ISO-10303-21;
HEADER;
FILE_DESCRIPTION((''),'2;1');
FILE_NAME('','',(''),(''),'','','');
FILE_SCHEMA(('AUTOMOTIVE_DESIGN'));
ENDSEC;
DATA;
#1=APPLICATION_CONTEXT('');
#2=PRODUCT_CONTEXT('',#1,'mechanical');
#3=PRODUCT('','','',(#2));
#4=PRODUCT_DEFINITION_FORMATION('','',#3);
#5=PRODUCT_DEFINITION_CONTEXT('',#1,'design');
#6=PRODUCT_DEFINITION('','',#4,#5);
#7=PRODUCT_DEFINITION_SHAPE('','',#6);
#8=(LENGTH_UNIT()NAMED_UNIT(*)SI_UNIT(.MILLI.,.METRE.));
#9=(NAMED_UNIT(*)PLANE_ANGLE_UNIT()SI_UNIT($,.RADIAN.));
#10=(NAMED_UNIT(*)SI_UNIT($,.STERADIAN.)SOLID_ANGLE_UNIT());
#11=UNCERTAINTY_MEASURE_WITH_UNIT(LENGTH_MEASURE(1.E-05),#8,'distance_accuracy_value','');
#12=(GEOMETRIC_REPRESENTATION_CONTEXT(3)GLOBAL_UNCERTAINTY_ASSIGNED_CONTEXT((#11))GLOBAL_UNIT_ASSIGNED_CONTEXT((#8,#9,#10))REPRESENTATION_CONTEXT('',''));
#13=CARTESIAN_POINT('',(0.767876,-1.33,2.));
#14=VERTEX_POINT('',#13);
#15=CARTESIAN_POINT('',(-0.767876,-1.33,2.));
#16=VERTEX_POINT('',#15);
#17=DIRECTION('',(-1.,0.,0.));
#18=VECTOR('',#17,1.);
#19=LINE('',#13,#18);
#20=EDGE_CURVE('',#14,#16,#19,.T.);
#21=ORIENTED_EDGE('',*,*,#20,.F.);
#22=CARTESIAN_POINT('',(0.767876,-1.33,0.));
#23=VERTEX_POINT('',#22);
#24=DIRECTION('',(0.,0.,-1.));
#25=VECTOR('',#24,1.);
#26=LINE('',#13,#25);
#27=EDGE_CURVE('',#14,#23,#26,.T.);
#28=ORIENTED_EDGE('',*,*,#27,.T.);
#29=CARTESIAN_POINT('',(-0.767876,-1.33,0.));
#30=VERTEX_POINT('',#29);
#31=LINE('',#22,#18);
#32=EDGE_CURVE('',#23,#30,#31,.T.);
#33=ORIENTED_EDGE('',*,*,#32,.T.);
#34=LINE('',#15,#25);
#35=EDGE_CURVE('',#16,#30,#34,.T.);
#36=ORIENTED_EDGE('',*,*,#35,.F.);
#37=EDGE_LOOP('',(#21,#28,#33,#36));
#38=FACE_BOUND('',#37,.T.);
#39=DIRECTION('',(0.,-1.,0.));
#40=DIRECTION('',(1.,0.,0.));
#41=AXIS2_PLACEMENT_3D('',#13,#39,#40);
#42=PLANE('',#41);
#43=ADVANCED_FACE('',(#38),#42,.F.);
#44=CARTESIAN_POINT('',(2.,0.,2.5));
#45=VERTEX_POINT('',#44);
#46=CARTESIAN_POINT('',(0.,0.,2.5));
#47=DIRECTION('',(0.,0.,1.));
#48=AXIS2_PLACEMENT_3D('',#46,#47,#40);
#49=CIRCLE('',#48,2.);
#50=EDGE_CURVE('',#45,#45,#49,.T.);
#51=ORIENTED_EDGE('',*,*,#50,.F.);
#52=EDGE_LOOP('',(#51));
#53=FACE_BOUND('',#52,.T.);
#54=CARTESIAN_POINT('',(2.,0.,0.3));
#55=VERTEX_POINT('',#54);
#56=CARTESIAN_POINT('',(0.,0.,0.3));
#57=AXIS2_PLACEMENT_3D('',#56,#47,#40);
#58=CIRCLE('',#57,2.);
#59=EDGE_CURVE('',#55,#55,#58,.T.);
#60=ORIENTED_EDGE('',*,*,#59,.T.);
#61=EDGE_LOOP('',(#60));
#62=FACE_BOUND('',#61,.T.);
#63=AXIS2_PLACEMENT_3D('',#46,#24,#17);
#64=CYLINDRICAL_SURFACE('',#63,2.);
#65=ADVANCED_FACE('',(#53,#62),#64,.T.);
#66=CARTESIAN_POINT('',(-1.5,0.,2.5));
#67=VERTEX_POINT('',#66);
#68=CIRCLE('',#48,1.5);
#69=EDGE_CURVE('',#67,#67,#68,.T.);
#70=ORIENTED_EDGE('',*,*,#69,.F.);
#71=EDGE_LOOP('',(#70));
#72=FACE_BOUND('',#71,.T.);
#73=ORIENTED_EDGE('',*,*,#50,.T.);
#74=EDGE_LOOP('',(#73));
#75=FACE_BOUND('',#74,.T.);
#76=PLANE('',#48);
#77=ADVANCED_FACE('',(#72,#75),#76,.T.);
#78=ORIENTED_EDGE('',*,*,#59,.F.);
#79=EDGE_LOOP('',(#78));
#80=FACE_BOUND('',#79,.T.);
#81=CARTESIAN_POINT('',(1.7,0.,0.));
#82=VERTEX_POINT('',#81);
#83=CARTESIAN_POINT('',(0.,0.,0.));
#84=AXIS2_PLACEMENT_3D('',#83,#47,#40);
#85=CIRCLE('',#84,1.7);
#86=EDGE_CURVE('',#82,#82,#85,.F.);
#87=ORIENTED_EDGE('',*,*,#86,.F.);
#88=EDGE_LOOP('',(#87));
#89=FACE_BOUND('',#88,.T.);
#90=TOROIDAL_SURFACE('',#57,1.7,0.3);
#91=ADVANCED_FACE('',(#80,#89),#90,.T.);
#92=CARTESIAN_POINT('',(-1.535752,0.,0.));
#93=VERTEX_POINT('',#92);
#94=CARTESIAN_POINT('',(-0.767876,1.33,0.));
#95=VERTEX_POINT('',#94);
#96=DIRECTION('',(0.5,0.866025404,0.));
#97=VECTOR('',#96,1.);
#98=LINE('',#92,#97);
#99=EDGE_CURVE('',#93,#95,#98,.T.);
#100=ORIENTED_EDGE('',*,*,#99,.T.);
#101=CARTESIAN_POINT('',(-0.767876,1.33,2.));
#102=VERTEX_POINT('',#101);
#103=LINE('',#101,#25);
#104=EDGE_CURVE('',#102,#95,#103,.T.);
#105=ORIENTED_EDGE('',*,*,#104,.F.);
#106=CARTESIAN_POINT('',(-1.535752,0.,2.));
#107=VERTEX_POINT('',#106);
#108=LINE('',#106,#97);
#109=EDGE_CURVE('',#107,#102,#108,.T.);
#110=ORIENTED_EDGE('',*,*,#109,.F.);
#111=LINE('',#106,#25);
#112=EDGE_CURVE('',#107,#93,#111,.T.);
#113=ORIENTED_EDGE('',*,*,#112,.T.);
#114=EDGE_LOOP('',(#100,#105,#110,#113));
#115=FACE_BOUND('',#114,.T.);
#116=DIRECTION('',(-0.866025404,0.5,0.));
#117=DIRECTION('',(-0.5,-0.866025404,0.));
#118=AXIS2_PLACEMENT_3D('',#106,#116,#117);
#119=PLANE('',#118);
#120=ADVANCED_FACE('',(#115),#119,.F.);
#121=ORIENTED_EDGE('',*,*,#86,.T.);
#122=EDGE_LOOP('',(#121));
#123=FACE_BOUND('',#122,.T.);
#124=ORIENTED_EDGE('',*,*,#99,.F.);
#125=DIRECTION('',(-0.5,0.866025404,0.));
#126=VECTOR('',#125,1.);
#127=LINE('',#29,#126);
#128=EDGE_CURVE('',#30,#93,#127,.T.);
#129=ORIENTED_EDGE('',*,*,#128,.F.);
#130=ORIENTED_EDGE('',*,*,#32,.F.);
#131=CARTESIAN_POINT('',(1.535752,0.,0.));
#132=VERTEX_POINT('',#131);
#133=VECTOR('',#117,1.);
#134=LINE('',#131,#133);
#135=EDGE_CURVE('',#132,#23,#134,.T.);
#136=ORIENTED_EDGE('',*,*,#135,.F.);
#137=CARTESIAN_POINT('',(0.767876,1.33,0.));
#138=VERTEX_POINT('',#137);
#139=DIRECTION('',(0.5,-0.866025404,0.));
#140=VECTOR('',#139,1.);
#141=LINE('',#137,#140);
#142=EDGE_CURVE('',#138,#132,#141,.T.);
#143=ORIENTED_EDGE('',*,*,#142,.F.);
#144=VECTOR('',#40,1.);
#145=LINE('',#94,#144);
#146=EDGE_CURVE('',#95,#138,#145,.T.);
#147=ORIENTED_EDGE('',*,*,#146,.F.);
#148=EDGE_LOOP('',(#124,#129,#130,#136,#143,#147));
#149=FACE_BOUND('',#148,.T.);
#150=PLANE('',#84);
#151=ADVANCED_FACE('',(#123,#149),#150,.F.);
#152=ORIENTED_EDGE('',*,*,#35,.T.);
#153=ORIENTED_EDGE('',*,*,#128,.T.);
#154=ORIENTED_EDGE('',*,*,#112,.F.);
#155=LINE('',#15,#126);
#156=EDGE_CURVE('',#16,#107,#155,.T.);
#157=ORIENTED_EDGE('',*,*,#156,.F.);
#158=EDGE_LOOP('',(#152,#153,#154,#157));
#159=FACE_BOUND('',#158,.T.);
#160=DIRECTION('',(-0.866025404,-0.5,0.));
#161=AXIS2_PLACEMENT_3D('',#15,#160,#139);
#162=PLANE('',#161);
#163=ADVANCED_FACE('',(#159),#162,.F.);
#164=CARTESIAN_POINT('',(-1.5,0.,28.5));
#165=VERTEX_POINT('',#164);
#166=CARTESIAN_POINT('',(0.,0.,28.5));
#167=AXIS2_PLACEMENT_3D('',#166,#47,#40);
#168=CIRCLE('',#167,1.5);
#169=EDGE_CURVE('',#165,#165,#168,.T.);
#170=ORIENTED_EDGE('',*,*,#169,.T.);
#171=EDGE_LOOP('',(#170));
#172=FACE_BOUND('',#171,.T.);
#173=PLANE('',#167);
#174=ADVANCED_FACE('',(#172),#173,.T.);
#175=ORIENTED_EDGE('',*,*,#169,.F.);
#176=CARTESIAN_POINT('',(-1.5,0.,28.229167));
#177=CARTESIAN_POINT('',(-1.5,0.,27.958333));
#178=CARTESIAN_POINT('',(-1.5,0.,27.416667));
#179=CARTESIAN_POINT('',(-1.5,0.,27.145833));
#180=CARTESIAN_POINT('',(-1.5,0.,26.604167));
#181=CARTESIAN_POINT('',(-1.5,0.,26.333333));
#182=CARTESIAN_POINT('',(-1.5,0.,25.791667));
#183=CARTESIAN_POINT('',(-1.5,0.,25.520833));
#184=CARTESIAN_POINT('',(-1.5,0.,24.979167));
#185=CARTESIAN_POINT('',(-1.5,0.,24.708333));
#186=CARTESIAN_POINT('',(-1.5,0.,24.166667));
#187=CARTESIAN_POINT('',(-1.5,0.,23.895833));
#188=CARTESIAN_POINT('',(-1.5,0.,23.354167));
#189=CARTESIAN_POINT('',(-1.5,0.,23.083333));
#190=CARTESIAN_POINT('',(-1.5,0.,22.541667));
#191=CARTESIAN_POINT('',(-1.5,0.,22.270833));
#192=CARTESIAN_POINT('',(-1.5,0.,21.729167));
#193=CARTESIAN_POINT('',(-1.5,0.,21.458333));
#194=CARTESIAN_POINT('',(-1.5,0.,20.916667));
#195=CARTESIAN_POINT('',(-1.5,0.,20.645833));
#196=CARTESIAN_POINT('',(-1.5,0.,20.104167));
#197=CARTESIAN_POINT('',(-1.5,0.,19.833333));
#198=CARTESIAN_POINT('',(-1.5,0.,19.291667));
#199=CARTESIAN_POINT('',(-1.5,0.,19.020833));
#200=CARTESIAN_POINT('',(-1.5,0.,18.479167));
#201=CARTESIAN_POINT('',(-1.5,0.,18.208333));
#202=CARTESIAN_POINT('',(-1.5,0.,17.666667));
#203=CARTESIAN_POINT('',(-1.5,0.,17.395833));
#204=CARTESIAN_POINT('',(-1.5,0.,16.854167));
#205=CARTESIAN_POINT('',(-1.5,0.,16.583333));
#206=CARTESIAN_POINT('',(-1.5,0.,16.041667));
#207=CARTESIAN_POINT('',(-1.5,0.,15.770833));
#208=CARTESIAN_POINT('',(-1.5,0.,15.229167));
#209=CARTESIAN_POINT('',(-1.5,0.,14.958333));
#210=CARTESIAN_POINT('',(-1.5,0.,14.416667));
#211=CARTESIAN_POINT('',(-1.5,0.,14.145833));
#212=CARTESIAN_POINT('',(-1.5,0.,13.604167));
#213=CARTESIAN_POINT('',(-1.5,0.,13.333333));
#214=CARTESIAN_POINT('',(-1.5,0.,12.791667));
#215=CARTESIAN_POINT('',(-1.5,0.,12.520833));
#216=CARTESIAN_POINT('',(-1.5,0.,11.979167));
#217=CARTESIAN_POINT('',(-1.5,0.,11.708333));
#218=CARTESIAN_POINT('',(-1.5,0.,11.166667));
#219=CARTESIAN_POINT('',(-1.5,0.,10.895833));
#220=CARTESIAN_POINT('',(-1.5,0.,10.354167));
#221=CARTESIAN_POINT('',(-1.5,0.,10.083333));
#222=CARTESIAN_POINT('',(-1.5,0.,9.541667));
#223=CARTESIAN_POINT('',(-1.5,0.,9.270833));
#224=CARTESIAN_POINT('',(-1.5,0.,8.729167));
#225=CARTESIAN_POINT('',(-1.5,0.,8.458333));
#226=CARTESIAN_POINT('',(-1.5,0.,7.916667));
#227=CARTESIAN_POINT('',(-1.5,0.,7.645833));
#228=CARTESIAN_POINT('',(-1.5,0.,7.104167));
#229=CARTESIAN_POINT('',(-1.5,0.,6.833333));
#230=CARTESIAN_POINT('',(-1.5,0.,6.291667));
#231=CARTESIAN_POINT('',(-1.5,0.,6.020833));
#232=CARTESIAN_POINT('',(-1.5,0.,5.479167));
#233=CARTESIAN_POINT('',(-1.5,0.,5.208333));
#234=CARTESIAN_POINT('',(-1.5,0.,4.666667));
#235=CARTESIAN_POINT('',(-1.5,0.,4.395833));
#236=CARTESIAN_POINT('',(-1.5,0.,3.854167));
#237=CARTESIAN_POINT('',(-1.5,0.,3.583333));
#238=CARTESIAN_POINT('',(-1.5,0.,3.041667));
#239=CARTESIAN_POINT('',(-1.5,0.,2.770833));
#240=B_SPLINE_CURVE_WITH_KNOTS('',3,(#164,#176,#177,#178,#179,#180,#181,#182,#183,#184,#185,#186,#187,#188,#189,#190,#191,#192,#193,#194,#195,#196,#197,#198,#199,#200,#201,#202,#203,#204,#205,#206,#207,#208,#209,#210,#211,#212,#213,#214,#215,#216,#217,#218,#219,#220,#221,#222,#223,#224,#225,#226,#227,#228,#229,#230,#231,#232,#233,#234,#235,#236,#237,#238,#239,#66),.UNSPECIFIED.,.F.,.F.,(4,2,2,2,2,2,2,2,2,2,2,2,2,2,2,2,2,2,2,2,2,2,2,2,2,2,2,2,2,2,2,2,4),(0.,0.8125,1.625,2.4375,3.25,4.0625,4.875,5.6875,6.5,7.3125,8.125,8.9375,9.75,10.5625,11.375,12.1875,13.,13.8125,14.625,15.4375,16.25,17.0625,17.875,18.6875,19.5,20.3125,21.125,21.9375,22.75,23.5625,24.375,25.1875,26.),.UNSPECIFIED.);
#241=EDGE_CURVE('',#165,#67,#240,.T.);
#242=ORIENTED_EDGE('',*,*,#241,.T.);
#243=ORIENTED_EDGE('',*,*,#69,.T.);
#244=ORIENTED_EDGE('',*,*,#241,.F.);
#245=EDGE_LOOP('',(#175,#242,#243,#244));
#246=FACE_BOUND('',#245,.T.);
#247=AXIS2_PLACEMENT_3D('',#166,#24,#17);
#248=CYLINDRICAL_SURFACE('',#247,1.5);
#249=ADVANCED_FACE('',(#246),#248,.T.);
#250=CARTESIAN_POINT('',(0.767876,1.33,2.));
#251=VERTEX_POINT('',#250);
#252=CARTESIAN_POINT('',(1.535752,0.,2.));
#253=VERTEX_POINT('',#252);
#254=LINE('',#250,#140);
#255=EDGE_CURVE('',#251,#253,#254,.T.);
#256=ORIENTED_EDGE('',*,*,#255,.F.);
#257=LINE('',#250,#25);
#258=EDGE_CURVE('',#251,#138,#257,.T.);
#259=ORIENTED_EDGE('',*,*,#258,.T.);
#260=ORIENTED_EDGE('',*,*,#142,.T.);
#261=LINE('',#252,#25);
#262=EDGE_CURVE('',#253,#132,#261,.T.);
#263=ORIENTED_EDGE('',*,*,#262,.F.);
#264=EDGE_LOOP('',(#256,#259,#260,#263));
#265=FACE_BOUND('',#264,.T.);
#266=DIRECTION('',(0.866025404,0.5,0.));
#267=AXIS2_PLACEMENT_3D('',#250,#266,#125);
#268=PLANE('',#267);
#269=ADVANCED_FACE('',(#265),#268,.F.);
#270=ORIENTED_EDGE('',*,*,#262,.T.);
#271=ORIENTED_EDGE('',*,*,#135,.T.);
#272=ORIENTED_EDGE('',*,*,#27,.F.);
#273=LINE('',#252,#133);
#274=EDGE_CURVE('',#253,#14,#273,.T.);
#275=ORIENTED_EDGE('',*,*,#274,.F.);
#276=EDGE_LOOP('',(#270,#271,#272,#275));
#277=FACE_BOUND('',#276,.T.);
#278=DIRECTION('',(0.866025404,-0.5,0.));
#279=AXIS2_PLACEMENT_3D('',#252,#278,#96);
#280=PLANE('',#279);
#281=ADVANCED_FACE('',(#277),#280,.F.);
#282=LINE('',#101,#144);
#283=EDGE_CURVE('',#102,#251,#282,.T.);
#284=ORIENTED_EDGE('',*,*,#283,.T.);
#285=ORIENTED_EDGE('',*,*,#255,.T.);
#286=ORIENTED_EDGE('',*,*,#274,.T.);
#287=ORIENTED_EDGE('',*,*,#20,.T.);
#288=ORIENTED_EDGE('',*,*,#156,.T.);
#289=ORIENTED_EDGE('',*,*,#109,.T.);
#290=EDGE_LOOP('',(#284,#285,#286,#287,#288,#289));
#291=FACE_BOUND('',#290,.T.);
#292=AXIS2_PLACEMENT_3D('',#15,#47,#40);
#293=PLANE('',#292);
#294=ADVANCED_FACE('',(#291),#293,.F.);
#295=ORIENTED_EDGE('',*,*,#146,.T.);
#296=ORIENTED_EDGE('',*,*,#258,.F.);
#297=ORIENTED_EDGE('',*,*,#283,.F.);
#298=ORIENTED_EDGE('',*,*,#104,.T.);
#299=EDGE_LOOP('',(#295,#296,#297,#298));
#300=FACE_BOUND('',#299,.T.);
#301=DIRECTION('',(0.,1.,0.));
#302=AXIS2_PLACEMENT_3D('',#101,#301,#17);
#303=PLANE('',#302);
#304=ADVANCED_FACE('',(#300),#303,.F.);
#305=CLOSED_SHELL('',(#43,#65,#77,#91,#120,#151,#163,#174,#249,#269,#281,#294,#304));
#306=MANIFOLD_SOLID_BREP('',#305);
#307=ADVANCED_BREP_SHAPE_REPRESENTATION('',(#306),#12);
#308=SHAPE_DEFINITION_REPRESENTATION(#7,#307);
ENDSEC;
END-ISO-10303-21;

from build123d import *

# Parameters (mm, degrees)
ESQUISSE1_R             = 2
BASE_EXTRUSION_DEPTH    = 2.5
ESQUISSE2_R             = 1.5
BOSS_EXTRU_1_DEPTH      = 26
CONG_1_R                = 0.3
ENL_V_MAT_EXTRU_1_DEPTH = 2


with BuildPart() as part:
    # Esquisse1 → Base-Extrusion (new body)
    with BuildSketch(Plane.XY):
        Circle(ESQUISSE1_R)
    extrude(amount=BASE_EXTRUSION_DEPTH)

    # Esquisse2 → Boss.-Extru.1 (add)
    with BuildSketch(Plane.XY.offset(2.5)):
        with Locations(Location((0, 0, 0), (0, 0, 180))):
            Circle(ESQUISSE2_R)
    extrude(amount=BOSS_EXTRU_1_DEPTH)

    # Congé1
    cong_1_edges = [part.edges().sort_by_distance(p)[0] for p in [
        (-2, 0, 0),
    ]]
    fillet(cong_1_edges, radius=CONG_1_R)

    # Esquisse3 → Enlèv. mat.-Extru.1 (cut)
    with BuildSketch(Plane(origin=(0, 0, 0), x_dir=(-1, 0, 0), z_dir=(0, 0, -1))):
        Polygon((1.535751716, 0), (0.767875858, 1.33), (-0.767875858, 1.33), (-1.535751716, 0), (-0.767875858, -1.33), (0.767875858, -1.33), align=None)
    extrude(amount=-ENL_V_MAT_EXTRU_1_DEPTH, mode=Mode.SUBTRACT)


solid = part.part
